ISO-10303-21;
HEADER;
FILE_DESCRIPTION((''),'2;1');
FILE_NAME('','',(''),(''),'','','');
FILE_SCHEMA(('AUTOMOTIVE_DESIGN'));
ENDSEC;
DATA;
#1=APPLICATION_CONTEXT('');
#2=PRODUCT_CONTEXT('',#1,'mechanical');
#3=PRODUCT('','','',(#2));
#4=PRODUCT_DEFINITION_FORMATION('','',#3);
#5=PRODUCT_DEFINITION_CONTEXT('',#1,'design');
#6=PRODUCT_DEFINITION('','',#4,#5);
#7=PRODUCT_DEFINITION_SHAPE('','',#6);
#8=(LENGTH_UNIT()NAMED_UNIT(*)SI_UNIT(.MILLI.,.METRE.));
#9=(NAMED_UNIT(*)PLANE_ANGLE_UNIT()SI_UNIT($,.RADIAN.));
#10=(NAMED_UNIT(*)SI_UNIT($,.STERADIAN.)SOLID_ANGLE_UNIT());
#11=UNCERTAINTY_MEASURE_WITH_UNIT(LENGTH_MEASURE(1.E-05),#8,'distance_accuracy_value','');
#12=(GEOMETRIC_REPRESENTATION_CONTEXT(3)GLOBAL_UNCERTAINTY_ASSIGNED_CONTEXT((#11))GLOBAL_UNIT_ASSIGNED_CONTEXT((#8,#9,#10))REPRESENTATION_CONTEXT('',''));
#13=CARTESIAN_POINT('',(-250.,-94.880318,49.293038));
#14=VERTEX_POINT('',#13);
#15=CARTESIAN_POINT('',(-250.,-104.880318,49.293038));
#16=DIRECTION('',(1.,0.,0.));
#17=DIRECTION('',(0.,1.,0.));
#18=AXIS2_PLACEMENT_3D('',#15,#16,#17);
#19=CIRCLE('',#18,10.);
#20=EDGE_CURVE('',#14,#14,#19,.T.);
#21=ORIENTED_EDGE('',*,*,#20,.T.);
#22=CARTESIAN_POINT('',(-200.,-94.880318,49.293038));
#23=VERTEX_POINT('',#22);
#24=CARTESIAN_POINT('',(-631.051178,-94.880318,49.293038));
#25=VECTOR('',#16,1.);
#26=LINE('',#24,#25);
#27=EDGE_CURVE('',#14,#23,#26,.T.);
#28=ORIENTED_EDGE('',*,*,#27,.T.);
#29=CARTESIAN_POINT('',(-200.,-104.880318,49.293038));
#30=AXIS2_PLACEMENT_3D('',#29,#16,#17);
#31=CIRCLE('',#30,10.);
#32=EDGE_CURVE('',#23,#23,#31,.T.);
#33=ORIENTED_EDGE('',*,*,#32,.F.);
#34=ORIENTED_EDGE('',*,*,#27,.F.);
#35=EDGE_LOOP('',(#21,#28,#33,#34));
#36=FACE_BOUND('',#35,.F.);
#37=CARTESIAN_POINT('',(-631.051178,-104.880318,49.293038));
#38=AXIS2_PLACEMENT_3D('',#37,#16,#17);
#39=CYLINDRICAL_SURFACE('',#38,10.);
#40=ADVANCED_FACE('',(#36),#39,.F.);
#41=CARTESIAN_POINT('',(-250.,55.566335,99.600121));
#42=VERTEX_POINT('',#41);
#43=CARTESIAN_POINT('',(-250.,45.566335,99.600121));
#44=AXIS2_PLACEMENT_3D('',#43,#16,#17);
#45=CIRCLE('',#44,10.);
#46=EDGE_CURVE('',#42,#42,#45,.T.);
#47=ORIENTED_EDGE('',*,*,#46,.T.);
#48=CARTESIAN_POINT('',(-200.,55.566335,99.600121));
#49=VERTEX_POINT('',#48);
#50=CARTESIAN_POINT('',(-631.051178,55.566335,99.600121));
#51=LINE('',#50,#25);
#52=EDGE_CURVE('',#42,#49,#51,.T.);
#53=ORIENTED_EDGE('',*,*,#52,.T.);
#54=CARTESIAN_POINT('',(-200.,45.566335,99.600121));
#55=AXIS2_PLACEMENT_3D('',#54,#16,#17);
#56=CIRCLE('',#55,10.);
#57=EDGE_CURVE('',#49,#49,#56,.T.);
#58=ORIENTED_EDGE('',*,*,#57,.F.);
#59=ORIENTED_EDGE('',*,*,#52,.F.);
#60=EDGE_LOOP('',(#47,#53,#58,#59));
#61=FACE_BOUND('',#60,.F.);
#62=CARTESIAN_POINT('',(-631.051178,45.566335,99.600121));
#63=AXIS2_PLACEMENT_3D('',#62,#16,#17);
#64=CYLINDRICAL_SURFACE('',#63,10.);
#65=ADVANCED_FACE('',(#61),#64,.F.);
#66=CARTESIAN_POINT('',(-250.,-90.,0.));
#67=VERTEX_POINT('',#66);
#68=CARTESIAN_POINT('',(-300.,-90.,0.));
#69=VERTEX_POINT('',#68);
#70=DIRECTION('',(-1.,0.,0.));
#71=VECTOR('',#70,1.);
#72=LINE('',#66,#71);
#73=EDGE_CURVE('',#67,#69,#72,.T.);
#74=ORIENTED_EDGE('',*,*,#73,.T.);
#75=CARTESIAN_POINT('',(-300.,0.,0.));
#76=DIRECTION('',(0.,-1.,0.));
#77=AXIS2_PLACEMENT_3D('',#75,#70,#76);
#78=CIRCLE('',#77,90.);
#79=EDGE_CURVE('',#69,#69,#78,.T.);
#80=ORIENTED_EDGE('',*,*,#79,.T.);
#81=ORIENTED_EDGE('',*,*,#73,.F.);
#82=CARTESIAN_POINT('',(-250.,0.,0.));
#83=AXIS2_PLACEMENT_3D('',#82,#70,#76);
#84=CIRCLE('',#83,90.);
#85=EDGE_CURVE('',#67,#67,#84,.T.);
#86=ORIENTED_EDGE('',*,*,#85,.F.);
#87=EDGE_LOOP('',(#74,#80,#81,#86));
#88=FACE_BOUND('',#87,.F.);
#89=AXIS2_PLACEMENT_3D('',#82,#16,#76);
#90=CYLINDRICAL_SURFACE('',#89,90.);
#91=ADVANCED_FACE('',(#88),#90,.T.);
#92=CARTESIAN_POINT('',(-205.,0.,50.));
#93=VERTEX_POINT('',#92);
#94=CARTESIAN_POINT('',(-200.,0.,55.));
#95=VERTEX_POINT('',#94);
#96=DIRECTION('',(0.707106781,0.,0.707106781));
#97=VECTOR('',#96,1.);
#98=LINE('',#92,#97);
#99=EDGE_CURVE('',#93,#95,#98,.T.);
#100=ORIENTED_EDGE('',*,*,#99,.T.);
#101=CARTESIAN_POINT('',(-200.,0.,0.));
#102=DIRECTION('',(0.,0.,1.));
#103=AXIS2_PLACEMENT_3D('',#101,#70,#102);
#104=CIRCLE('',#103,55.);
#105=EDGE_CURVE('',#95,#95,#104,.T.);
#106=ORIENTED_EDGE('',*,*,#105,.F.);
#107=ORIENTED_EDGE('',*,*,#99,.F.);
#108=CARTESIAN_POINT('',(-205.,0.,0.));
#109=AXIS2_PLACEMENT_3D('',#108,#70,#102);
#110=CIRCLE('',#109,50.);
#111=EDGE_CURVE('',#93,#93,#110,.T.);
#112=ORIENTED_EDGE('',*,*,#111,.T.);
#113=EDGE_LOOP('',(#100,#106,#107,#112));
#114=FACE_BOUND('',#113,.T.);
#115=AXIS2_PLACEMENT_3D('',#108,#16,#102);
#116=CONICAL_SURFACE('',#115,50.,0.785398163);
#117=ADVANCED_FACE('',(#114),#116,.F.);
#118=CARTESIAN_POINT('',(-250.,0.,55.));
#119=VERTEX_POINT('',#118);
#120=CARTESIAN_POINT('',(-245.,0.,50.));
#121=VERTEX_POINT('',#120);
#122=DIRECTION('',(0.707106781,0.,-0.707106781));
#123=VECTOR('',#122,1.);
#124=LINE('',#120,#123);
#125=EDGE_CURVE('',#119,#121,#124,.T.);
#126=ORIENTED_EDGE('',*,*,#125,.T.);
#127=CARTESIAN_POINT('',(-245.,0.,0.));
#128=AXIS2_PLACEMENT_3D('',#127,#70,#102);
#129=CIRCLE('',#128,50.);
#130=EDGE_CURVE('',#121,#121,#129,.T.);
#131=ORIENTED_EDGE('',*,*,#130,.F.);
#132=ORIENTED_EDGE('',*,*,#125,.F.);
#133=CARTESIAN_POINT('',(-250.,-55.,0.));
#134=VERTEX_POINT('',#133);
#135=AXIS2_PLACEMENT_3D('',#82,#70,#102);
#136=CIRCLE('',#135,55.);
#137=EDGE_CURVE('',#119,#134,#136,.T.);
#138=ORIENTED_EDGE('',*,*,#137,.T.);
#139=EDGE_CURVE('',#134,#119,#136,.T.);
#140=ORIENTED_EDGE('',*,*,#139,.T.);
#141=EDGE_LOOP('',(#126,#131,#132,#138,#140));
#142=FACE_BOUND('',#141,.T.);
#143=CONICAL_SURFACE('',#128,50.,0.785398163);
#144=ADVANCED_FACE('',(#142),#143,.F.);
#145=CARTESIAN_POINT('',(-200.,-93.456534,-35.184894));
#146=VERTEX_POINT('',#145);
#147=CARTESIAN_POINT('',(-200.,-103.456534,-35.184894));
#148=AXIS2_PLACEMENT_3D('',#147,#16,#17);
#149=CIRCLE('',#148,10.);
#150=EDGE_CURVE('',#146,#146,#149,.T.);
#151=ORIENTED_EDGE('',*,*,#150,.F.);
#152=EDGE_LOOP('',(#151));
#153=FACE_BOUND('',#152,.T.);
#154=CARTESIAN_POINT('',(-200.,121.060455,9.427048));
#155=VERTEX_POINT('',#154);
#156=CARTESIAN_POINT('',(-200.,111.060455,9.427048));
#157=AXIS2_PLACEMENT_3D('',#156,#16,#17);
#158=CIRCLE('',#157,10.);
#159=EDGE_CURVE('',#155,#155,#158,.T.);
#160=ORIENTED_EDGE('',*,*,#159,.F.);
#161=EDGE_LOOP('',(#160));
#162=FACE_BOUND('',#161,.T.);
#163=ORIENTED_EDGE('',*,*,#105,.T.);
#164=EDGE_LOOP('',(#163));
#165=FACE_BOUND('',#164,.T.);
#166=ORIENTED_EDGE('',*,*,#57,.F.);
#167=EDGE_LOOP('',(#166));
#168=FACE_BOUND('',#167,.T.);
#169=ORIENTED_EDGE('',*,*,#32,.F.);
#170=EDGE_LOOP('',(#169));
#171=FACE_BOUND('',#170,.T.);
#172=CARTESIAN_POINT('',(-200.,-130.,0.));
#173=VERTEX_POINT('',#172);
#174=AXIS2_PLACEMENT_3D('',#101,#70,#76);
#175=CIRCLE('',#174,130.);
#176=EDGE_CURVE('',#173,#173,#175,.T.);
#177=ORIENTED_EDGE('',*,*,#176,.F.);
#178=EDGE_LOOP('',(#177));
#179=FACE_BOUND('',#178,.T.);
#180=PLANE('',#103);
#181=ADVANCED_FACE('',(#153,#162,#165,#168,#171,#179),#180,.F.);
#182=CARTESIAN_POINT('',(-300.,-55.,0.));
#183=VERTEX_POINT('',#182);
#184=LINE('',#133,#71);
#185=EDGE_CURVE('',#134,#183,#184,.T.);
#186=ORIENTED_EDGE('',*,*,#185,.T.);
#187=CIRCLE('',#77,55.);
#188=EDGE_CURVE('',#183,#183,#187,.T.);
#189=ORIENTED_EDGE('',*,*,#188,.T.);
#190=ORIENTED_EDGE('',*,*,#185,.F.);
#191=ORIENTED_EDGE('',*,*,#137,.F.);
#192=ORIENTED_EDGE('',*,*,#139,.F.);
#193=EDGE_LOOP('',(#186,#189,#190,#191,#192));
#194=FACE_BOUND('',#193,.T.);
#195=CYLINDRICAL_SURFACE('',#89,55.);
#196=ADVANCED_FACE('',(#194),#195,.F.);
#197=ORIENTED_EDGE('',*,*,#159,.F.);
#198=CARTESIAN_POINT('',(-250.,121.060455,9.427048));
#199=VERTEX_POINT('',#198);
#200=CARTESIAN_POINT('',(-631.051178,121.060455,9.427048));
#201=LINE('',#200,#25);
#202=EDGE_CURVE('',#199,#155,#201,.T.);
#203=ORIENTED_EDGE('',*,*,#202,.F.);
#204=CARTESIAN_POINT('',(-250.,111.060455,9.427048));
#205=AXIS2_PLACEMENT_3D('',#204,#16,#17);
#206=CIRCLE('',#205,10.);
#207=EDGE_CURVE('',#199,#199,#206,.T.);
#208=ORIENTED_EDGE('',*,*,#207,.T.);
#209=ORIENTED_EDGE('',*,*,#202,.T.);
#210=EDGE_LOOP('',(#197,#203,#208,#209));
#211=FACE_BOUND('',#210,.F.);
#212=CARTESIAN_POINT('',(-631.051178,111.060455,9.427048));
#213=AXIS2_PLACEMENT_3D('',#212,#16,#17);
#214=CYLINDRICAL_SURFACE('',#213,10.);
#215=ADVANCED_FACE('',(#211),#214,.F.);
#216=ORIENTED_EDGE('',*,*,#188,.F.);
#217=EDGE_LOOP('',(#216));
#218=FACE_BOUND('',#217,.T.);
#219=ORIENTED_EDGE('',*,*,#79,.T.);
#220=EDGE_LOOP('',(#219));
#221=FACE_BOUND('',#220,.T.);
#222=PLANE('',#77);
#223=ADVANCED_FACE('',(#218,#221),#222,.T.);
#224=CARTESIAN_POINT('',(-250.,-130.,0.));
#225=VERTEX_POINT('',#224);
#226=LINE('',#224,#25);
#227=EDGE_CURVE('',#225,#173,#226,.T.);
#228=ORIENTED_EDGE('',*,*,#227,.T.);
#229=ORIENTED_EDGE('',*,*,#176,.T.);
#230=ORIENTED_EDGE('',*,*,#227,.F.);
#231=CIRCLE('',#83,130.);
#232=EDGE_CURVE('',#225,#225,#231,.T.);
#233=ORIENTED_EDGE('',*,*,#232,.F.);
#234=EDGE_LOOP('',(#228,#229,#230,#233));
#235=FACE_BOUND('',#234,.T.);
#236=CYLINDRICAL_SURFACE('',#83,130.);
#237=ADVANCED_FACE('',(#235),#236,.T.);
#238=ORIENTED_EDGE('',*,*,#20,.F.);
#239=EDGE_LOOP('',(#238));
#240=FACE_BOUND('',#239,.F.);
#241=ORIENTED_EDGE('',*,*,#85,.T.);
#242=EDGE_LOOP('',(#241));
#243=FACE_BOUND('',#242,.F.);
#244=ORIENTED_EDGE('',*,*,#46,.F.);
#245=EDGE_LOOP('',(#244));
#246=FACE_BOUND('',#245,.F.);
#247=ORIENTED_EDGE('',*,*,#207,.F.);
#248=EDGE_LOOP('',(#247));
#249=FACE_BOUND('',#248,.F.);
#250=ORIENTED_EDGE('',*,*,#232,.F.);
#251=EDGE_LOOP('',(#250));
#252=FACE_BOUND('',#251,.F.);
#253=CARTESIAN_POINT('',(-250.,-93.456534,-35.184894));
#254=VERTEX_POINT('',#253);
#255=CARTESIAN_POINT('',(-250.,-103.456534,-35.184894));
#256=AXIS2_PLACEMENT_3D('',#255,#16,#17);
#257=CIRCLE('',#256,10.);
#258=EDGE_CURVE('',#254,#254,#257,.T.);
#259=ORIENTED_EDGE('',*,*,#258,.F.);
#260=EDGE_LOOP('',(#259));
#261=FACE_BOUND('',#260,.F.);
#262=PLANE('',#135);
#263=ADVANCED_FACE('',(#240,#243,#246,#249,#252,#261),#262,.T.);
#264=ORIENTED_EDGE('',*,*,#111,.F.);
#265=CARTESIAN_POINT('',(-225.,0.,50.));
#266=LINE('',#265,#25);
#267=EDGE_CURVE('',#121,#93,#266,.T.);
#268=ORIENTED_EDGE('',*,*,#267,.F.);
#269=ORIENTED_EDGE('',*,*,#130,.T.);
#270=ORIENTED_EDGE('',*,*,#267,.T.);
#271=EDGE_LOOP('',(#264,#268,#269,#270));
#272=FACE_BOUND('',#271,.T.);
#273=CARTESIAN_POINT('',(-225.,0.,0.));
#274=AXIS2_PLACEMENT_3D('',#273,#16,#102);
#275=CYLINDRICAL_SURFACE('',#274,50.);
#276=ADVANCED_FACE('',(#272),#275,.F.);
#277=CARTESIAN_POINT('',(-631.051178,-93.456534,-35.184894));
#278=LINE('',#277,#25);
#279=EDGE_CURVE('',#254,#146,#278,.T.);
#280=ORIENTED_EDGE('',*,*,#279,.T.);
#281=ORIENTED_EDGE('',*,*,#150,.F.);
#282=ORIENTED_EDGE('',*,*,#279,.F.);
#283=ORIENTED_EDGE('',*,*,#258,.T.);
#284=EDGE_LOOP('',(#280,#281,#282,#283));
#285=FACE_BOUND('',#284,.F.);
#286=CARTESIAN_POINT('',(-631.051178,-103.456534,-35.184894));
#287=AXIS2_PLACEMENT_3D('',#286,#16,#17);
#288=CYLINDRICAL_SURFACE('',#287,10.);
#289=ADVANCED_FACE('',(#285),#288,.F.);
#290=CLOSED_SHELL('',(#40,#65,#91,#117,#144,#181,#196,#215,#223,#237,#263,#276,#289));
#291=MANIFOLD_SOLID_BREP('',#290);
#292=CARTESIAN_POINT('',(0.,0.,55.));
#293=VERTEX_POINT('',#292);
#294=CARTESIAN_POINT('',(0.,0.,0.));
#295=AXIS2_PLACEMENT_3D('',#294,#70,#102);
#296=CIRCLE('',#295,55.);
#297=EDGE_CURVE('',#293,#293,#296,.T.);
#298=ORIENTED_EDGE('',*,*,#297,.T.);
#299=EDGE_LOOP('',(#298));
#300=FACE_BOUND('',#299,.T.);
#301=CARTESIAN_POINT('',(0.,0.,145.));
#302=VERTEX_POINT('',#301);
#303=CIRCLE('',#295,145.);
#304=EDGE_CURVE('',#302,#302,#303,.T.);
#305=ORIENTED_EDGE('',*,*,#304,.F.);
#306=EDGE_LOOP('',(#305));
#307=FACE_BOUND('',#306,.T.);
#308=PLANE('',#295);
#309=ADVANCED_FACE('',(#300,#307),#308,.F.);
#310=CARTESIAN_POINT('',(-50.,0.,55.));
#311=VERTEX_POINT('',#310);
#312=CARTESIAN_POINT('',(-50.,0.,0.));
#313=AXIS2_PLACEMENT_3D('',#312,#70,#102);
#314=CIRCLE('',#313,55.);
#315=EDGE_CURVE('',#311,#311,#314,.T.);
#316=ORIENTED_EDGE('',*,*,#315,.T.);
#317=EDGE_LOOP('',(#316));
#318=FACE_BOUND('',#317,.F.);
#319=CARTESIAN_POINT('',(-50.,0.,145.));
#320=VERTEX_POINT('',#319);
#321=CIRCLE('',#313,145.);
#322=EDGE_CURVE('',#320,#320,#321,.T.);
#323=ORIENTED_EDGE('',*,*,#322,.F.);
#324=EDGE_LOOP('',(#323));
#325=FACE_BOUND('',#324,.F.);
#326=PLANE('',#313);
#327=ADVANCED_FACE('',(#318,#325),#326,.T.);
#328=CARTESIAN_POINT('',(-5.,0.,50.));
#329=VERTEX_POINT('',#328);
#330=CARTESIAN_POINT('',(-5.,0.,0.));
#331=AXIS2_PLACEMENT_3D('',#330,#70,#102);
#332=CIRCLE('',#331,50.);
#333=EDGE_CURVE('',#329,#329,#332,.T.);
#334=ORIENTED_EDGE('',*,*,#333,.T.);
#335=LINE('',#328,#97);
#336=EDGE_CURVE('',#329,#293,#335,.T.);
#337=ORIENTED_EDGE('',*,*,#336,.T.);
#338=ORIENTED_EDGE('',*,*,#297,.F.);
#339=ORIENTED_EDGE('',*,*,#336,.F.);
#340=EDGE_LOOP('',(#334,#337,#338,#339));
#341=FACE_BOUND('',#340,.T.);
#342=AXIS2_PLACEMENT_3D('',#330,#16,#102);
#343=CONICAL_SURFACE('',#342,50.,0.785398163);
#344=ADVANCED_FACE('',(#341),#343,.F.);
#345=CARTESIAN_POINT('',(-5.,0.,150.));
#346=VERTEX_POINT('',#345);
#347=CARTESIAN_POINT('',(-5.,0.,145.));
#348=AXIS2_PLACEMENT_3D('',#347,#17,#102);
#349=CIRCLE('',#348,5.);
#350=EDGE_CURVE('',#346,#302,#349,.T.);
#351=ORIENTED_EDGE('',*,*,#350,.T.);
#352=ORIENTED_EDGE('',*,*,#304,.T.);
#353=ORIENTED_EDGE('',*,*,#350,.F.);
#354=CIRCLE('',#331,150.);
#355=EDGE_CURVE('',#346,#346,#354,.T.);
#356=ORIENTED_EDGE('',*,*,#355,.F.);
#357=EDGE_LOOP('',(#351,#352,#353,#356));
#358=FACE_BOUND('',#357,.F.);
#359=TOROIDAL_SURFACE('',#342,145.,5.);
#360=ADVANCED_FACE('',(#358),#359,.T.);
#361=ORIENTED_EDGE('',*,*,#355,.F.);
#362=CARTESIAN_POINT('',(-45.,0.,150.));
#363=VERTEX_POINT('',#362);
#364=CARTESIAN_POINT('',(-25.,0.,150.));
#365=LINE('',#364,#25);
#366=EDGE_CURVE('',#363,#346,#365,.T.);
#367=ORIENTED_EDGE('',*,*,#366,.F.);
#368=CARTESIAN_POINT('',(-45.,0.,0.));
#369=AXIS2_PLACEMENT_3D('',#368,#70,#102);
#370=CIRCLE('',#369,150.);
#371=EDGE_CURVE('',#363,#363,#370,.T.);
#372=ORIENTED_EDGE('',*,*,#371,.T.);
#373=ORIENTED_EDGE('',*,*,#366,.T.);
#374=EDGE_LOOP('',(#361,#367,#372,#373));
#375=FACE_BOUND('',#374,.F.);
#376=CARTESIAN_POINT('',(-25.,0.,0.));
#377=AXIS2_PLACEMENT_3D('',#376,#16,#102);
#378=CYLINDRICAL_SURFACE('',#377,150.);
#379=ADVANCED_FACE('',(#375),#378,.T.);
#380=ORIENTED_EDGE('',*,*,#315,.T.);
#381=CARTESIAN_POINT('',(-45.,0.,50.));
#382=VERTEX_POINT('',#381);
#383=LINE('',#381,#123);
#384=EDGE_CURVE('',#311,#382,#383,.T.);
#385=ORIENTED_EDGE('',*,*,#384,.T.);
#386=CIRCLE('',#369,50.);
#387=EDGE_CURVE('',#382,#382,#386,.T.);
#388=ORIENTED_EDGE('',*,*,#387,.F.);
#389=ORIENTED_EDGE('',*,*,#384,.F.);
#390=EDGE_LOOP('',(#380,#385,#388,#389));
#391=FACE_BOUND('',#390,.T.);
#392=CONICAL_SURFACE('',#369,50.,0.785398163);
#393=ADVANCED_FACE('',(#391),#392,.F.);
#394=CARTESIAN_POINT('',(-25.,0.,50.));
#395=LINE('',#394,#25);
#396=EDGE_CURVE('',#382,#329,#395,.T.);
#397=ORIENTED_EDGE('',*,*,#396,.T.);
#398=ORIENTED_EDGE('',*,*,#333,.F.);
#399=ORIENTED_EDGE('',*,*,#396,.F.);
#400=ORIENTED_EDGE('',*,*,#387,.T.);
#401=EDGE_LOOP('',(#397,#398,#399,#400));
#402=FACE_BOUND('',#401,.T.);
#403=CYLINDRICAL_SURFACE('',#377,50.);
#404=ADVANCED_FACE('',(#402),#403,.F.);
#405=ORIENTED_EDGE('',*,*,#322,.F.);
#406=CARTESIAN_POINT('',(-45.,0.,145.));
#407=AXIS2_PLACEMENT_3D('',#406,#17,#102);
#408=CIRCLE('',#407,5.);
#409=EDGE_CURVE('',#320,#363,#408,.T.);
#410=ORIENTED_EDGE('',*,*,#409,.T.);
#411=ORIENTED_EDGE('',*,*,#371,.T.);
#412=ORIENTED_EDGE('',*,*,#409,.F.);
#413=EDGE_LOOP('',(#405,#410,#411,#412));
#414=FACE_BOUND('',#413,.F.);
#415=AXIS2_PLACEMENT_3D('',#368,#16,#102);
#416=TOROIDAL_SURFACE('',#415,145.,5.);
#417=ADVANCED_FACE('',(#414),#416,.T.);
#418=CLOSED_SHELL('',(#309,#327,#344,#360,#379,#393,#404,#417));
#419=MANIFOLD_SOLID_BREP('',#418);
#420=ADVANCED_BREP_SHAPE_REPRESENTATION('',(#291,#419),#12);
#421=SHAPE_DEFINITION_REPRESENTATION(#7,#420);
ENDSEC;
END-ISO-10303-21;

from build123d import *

# Parameters (mm, degrees)
F0_W     = 50
F0_H     = 100
F2_SIZE  = 5
F3_R     = 5
F5_R     = 90
F5_R_2   = 55
F6_DEPTH = 50
F5_R_3   = 175
F5_R_4   = 145
F5_R_5   = 130
F7_DEPTH = 250.001
F8_D     = 20


with BuildPart() as f1:
    # F0 (on Front) → F1 (revolve)
    with BuildSketch(Plane.XZ):
        with Locations((-25, 100)):
            Rectangle(F0_W, F0_H)
    revolve(axis=Axis((-17.4827627066, 0, 0), (-1, 0, 0)))

    # F2
    f2_edges = [f1.edges().sort_by_distance(p)[0] for p in [
        (-50, 0, -50),
        (0, 0, -50),
        (-25, 0, 50),
    ]]
    chamfer(f2_edges, length=F2_SIZE)

    # F3
    f3_edges = [f1.edges().sort_by_distance(p)[0] for p in [
        (0, 0, -150),
        (-50, 0, -150),
        (-25, 0, 150),
    ]]
    fillet(f3_edges, radius=F3_R)


with BuildPart() as f4_1:
    # F4: copy of F1
    add(f1.part.moved(Location((-200, 0, 0))))

    # F5 (on face) → F6 (join)
    with BuildSketch(Plane(origin=(-250, 0, 0), x_dir=(0, -1, 0), z_dir=(-1, 0, 0))):
        Circle(F5_R)
        Circle(F5_R_2, mode=Mode.SUBTRACT)
    extrude(amount=F6_DEPTH)

    # F5 (on face) → F7 (cut, through all)
    with BuildSketch(Plane(origin=(-250, 0, 0), x_dir=(0, -1, 0), z_dir=(-1, 0, 0))):
        Circle(F5_R_3)
        Circle(F5_R_4, mode=Mode.SUBTRACT)
        Circle(F5_R_4)
        Circle(F5_R_5, mode=Mode.SUBTRACT)
    extrude(amount=-F7_DEPTH, mode=Mode.SUBTRACT)

    # F8 (through all)
    with Locations(Plane(origin=(-250, 0, 0), x_dir=(0, -1, 0), z_dir=(-1, 0, 0))):
        with Locations((-45.5663353205, 99.6001213789), (-111.0604554415, 9.4270482659), (104.8803180456, 49.293037504), (103.4565344453, -35.1848937571)):
            Hole(F8_D / 2)


solid = Compound([f1.part, f4_1.part])
